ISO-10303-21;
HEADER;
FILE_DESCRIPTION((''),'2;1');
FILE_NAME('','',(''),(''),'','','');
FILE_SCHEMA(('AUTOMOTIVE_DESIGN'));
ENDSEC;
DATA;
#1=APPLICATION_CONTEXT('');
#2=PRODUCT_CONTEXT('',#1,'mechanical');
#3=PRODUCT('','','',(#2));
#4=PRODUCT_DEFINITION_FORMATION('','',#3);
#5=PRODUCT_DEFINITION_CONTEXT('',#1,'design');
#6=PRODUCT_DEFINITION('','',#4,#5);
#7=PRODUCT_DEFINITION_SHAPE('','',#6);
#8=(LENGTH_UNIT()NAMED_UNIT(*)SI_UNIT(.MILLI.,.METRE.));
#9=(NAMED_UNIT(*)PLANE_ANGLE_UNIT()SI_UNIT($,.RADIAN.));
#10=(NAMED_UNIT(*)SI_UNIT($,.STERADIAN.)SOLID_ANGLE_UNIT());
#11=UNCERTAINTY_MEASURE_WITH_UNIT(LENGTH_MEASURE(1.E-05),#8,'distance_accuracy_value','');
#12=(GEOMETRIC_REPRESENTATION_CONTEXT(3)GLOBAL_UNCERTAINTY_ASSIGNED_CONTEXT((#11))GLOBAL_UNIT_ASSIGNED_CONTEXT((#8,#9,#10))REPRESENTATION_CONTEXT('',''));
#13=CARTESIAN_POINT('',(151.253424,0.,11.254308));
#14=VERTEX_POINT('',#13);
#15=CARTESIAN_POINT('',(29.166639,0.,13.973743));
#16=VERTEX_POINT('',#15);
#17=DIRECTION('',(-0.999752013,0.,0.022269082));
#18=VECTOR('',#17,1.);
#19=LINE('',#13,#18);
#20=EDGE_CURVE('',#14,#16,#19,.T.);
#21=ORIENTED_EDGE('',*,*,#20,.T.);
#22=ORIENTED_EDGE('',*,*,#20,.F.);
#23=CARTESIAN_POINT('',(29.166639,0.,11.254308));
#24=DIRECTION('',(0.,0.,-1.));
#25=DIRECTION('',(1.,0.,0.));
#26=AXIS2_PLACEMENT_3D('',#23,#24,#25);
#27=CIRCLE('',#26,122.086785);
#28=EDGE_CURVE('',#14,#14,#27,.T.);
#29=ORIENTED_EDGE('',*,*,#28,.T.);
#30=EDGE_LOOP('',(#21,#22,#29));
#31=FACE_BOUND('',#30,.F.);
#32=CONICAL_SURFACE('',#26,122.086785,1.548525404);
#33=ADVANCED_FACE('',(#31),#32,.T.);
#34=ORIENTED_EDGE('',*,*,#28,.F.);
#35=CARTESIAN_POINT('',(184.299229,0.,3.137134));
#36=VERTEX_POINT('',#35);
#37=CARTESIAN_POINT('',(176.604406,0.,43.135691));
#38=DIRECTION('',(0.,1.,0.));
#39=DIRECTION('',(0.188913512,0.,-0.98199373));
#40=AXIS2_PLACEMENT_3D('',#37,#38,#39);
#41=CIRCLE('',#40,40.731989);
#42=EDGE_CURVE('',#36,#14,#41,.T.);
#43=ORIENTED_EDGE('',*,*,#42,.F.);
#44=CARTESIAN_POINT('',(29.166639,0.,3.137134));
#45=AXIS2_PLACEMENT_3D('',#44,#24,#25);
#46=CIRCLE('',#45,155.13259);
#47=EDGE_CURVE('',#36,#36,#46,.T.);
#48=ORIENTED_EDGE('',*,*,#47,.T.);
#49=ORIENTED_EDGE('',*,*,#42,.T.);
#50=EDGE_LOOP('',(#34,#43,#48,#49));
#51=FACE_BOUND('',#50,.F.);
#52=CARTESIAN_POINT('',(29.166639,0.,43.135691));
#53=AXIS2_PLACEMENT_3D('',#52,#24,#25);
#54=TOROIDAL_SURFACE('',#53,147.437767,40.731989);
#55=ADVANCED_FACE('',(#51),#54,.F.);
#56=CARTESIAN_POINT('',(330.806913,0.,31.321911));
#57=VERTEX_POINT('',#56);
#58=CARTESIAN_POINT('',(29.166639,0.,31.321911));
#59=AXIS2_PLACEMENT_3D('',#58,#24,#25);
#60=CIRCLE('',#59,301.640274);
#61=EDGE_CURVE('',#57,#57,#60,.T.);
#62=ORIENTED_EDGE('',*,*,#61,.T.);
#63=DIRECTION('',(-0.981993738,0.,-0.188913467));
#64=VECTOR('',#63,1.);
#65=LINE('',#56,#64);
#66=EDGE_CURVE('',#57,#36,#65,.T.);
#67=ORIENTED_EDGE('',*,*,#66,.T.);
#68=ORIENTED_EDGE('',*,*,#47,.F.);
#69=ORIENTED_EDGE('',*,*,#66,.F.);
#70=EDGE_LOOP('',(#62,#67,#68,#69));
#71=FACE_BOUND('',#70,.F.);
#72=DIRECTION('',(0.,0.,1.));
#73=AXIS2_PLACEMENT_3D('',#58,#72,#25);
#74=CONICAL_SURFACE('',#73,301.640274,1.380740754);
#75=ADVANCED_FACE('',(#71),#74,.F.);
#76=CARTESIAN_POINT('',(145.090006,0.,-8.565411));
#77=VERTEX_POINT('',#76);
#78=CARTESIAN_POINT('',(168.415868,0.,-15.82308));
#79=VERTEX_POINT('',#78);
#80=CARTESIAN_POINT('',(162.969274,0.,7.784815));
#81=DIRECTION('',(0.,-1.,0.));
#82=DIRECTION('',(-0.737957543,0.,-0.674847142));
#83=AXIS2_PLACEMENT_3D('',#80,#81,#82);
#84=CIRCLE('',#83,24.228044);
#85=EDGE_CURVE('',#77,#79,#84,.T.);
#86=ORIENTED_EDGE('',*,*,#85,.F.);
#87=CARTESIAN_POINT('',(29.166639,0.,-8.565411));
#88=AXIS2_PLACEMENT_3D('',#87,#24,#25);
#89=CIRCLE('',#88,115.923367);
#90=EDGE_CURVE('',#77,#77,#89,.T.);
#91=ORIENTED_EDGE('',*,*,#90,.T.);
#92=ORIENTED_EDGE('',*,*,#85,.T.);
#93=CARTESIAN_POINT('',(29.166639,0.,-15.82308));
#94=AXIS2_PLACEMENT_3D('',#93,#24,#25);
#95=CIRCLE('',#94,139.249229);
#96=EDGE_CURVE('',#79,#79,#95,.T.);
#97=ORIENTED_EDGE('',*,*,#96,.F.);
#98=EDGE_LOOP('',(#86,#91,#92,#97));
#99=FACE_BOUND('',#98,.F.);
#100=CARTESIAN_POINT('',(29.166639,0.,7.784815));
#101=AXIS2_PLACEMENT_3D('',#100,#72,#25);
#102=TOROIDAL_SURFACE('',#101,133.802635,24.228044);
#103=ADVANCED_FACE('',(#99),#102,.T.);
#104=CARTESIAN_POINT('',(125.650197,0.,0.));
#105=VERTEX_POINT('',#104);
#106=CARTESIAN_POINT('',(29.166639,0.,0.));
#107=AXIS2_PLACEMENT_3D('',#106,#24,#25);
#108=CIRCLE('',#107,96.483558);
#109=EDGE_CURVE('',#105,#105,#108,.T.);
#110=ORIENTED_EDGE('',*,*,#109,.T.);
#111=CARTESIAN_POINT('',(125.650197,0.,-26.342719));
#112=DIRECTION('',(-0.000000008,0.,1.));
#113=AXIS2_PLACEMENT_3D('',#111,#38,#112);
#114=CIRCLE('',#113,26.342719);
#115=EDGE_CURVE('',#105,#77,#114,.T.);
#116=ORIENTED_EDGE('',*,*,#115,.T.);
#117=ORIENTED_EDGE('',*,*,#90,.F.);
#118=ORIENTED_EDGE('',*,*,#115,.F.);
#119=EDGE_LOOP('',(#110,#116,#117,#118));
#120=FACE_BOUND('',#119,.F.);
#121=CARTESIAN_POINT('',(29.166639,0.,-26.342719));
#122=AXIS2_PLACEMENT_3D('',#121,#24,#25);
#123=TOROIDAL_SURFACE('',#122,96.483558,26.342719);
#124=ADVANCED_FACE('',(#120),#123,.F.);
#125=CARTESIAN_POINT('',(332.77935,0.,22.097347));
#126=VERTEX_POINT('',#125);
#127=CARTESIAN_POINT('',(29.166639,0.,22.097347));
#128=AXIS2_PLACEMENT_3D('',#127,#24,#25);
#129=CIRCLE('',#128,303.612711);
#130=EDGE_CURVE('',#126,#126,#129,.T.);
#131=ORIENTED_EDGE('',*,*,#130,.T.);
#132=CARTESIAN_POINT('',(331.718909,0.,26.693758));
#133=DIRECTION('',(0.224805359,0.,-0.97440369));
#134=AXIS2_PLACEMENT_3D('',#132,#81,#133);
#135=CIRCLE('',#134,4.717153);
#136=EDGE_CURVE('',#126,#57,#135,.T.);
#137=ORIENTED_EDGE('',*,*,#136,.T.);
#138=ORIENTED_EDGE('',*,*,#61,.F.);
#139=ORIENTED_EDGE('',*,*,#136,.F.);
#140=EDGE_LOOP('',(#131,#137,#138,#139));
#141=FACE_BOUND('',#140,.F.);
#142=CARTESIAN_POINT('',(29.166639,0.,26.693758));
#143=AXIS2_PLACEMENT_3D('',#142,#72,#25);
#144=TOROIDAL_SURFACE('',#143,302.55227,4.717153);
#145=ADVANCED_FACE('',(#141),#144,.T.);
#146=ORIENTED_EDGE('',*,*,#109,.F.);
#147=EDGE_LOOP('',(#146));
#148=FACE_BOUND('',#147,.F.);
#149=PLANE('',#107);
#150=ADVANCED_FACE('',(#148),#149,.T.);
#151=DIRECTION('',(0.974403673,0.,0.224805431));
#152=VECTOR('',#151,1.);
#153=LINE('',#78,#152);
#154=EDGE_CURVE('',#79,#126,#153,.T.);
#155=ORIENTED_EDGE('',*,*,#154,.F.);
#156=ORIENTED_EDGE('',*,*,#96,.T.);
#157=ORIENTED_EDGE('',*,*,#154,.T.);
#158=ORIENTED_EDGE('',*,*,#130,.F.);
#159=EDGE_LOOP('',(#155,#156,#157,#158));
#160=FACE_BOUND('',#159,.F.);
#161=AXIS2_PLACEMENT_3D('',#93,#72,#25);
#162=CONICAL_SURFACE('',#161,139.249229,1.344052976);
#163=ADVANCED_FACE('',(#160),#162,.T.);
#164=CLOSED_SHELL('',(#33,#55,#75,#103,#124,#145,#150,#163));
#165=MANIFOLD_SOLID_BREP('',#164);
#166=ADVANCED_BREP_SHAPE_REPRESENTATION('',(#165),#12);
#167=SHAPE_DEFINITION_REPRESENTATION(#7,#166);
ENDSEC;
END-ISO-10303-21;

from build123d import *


with BuildPart() as f1:
    # F0 (on Front) → F1 (revolve)
    with BuildSketch(Plane.XZ):
        with BuildLine():
            Line((151.253424, 11.254308), (29.166639, 13.973743))
            Line((29.166639, 13.973743), (29.166639, 0))
            Line((29.166639, 0), (125.650197, 0))
            ThreePointArc((125.650197, 0), (136.271784, -2.236273), (145.090006, -8.565411))
            ThreePointArc((145.090006, -8.565411), (155.771268, -15.34929), (168.415868, -15.82308))
            Line((168.415868, -15.82308), (332.77935, 22.097347))
            ThreePointArc((332.77935, 22.097347), (336.331788, 27.680104), (330.806913, 31.321911))
            Line((330.806913, 31.321911), (184.299229, 3.137134))
            ThreePointArc((184.299229, 3.137134), (166.888073, 3.579557), (151.253424, 11.254308))
        make_face()
    revolve(axis=Axis((29.166639, 0, 0.612669), (0, 0, -1)))


solid = f1.part
